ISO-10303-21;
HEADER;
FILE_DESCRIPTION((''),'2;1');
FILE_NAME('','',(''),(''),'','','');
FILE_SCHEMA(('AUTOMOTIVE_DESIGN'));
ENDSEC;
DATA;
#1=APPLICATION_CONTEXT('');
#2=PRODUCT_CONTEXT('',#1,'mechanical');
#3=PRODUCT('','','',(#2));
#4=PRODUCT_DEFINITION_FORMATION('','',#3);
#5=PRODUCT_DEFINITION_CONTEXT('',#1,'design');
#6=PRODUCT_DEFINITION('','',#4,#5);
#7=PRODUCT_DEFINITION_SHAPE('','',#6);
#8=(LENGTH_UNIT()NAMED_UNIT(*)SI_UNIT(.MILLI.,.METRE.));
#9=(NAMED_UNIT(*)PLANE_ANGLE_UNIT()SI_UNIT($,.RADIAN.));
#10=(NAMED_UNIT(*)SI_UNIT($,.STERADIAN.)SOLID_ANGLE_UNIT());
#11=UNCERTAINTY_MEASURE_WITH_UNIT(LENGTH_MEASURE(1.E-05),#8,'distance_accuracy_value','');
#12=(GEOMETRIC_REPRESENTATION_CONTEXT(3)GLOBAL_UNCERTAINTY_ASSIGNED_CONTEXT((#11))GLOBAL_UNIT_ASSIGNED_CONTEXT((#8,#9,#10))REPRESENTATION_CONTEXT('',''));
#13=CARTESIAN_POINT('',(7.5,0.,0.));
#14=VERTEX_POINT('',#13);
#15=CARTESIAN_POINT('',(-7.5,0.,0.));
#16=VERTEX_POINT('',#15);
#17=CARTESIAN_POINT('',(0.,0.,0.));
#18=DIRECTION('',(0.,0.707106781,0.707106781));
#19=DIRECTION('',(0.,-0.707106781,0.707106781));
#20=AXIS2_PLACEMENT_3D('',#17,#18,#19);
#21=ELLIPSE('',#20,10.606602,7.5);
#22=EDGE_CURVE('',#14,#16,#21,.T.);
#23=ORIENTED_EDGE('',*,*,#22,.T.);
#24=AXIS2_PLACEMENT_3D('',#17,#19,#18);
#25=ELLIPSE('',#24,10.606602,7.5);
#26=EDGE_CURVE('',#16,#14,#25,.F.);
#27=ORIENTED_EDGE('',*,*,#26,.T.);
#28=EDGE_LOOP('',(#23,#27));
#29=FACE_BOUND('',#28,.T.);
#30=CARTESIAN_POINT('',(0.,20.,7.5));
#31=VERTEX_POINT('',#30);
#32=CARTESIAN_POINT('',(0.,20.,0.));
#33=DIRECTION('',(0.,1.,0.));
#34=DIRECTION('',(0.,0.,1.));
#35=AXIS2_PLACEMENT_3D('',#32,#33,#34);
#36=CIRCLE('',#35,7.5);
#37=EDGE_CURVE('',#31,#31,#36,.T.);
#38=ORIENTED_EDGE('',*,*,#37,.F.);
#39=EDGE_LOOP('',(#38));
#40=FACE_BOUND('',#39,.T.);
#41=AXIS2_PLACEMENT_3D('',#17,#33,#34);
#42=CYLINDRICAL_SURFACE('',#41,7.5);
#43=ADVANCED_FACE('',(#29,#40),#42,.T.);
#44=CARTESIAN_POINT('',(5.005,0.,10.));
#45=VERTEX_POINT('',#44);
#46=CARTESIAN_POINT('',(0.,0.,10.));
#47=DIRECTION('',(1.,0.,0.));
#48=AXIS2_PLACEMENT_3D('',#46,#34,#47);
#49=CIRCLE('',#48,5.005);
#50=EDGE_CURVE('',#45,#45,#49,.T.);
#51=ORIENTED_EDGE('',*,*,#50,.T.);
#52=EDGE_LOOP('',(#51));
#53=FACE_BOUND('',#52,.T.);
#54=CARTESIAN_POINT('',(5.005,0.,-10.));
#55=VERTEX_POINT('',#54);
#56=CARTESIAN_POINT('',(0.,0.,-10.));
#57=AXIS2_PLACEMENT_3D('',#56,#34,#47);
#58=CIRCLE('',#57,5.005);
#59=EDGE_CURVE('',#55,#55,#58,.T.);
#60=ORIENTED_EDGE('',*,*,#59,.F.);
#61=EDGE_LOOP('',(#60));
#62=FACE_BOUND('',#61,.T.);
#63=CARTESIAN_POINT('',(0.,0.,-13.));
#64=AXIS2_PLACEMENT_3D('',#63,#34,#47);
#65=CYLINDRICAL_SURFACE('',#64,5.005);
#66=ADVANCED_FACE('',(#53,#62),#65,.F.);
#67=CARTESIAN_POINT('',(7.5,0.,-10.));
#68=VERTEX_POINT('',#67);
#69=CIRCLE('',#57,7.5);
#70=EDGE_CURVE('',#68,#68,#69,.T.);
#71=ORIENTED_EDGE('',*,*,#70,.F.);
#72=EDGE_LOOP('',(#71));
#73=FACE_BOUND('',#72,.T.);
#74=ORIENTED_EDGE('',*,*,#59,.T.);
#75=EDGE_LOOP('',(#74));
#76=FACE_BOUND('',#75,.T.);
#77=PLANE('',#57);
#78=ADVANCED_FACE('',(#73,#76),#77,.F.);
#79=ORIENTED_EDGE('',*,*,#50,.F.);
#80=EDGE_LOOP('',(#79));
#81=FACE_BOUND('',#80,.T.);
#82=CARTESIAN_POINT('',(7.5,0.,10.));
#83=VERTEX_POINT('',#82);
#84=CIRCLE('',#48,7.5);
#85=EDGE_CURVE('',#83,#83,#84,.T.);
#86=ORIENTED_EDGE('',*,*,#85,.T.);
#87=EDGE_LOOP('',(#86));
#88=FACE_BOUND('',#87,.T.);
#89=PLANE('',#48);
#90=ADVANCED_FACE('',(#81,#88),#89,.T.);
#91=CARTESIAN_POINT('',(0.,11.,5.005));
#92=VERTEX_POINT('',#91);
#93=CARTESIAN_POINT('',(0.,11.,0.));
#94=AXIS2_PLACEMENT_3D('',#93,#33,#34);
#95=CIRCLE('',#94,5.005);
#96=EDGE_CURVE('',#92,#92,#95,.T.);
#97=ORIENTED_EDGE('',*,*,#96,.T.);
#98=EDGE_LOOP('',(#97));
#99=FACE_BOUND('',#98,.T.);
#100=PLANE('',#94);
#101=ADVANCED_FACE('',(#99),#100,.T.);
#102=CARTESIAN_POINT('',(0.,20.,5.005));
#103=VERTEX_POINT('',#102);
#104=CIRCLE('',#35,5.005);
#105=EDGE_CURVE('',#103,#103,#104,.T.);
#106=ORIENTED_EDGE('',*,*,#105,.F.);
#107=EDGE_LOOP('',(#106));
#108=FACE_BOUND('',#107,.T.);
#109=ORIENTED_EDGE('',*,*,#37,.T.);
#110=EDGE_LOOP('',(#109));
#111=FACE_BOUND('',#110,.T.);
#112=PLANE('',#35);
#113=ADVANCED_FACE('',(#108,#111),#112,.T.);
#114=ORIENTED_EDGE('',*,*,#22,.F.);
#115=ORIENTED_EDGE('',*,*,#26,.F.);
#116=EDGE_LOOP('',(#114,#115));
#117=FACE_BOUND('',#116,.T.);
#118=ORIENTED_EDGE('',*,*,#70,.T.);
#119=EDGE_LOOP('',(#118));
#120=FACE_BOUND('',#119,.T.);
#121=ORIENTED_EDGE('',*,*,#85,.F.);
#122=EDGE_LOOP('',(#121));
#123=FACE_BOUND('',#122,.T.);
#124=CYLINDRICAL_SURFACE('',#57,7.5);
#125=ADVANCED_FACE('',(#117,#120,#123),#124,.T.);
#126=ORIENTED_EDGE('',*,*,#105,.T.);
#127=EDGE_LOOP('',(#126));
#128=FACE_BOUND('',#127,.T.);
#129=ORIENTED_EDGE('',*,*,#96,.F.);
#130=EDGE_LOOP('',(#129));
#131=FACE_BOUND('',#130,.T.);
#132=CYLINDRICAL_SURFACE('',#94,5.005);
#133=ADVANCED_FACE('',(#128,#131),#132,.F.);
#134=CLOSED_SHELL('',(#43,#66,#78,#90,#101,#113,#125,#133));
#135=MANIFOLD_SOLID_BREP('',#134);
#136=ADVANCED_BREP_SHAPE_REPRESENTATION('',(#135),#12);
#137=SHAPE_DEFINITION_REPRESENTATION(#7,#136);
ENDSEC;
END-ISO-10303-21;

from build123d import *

# Parameters (mm, degrees)
BOSS_EXTRUDE1_DEPTH      = 10
BOSS_EXTRUDE1_DEPTH_BACK = 10
SKETCH1_R                = 7.5
SKETCH3_R                = 7.5
BOSS_EXTRUDE2_DEPTH      = 20
SKETCH4_R                = 5.005
CUT_EXTRUDE2_DEPTH       = 23
SKETCH5_R                = 5.005
CUT_EXTRUDE3_DEPTH       = 9


with BuildPart() as part:
    # Sketch1 → Boss-Extrude1 (new, two sides: drawn at the far end of the back side and taken through both)
    with BuildSketch(Plane.XY.offset(-BOSS_EXTRUDE1_DEPTH_BACK)):
        Circle(SKETCH1_R)
    extrude(amount=BOSS_EXTRUDE1_DEPTH + BOSS_EXTRUDE1_DEPTH_BACK)

    # Sketch3 → Boss-Extrude2 (add)
    with BuildSketch(Plane(origin=(0, 20, 0), x_dir=(1, 0, 0), z_dir=(0, 1, 0))):
        Circle(SKETCH3_R)
    extrude(amount=-BOSS_EXTRUDE2_DEPTH)

    # Sketch4 → Cut-Extrude2 (cut)
    with BuildSketch(Plane.XY.offset(10)):
        Circle(SKETCH4_R)
    extrude(amount=-CUT_EXTRUDE2_DEPTH, mode=Mode.SUBTRACT)

    # Sketch5 → Cut-Extrude3 (cut)
    with BuildSketch(Plane(origin=(0, 20, 0), x_dir=(1, 0, 0), z_dir=(0, 1, 0))):
        Circle(SKETCH5_R)
    extrude(amount=-CUT_EXTRUDE3_DEPTH, mode=Mode.SUBTRACT)


solid = part.part
